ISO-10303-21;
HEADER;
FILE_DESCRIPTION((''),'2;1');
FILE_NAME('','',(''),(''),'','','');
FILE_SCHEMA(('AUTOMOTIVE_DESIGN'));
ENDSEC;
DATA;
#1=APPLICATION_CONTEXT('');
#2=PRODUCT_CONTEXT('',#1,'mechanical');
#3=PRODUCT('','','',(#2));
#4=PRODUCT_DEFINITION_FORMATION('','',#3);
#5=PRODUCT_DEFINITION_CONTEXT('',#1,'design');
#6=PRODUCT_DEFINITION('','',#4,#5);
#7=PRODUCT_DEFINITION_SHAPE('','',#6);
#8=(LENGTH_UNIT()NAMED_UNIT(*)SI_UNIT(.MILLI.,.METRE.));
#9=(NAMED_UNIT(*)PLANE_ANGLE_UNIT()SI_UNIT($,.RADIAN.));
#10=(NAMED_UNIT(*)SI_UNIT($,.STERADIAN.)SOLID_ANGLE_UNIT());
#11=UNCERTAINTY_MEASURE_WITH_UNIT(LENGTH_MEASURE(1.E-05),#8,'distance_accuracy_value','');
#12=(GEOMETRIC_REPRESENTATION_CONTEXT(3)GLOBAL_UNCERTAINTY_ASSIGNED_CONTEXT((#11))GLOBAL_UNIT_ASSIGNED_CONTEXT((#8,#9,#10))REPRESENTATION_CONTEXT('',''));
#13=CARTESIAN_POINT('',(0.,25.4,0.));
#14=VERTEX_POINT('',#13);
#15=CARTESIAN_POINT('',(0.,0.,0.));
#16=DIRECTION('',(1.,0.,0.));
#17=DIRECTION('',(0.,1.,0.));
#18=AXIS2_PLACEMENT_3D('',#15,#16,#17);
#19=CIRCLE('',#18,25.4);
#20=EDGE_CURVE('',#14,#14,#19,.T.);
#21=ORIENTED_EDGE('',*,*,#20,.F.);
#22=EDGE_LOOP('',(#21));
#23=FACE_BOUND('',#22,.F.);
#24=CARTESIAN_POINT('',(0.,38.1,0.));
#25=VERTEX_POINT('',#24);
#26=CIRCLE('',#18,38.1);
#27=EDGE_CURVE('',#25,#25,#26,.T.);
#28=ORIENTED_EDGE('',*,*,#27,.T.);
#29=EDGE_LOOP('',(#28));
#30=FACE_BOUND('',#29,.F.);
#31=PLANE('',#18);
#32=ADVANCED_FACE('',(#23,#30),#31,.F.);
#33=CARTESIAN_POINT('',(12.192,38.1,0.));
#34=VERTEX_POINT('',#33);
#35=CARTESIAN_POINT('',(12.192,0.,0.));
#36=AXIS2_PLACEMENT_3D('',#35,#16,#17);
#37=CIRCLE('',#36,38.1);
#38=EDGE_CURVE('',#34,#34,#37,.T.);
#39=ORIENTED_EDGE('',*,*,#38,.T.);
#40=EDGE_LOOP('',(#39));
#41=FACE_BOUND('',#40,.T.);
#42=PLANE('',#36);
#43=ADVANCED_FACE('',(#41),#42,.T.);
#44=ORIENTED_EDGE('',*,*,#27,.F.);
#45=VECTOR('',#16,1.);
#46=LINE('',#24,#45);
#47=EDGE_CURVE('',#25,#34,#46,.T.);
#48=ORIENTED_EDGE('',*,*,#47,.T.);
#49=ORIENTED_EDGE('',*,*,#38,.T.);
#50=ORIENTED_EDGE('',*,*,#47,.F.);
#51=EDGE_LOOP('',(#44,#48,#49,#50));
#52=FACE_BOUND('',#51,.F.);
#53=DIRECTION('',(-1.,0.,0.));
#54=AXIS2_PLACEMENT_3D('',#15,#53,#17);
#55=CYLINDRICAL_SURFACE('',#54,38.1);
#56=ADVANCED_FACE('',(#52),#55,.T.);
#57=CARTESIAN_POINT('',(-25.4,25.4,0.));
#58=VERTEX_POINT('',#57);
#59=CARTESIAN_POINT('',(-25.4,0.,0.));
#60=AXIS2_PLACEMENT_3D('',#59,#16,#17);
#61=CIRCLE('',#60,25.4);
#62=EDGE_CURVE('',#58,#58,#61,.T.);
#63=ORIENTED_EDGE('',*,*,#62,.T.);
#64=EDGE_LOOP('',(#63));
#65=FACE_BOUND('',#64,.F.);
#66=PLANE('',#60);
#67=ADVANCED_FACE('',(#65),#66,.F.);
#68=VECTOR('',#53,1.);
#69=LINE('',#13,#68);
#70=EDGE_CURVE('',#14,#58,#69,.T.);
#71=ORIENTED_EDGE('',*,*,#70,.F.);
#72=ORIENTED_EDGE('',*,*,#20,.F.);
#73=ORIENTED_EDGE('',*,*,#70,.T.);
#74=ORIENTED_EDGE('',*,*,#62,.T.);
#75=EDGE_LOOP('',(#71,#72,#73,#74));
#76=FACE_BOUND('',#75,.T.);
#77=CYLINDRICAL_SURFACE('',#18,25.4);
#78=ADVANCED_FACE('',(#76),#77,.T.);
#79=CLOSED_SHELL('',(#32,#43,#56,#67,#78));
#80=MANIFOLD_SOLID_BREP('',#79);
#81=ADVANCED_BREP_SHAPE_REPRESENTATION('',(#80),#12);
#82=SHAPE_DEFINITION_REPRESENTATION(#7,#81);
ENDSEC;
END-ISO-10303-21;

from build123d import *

# Parameters (mm, degrees)
F0_R     = 38.1
F0_R_2   = 25.4
F1_DEPTH = 12.192
F2_DEPTH = 25.4


with BuildPart() as f1:
    # F0 (on Right) → F1 (new body)
    with BuildSketch(Plane.YZ):
        Circle(F0_R)
        Circle(F0_R_2, mode=Mode.SUBTRACT)
        Circle(F0_R_2)
    extrude(amount=F1_DEPTH)

    # F0 (on Right) → F2 (join)
    with BuildSketch(Plane.YZ):
        Circle(F0_R_2)
    extrude(amount=-F2_DEPTH)


solid = f1.part
